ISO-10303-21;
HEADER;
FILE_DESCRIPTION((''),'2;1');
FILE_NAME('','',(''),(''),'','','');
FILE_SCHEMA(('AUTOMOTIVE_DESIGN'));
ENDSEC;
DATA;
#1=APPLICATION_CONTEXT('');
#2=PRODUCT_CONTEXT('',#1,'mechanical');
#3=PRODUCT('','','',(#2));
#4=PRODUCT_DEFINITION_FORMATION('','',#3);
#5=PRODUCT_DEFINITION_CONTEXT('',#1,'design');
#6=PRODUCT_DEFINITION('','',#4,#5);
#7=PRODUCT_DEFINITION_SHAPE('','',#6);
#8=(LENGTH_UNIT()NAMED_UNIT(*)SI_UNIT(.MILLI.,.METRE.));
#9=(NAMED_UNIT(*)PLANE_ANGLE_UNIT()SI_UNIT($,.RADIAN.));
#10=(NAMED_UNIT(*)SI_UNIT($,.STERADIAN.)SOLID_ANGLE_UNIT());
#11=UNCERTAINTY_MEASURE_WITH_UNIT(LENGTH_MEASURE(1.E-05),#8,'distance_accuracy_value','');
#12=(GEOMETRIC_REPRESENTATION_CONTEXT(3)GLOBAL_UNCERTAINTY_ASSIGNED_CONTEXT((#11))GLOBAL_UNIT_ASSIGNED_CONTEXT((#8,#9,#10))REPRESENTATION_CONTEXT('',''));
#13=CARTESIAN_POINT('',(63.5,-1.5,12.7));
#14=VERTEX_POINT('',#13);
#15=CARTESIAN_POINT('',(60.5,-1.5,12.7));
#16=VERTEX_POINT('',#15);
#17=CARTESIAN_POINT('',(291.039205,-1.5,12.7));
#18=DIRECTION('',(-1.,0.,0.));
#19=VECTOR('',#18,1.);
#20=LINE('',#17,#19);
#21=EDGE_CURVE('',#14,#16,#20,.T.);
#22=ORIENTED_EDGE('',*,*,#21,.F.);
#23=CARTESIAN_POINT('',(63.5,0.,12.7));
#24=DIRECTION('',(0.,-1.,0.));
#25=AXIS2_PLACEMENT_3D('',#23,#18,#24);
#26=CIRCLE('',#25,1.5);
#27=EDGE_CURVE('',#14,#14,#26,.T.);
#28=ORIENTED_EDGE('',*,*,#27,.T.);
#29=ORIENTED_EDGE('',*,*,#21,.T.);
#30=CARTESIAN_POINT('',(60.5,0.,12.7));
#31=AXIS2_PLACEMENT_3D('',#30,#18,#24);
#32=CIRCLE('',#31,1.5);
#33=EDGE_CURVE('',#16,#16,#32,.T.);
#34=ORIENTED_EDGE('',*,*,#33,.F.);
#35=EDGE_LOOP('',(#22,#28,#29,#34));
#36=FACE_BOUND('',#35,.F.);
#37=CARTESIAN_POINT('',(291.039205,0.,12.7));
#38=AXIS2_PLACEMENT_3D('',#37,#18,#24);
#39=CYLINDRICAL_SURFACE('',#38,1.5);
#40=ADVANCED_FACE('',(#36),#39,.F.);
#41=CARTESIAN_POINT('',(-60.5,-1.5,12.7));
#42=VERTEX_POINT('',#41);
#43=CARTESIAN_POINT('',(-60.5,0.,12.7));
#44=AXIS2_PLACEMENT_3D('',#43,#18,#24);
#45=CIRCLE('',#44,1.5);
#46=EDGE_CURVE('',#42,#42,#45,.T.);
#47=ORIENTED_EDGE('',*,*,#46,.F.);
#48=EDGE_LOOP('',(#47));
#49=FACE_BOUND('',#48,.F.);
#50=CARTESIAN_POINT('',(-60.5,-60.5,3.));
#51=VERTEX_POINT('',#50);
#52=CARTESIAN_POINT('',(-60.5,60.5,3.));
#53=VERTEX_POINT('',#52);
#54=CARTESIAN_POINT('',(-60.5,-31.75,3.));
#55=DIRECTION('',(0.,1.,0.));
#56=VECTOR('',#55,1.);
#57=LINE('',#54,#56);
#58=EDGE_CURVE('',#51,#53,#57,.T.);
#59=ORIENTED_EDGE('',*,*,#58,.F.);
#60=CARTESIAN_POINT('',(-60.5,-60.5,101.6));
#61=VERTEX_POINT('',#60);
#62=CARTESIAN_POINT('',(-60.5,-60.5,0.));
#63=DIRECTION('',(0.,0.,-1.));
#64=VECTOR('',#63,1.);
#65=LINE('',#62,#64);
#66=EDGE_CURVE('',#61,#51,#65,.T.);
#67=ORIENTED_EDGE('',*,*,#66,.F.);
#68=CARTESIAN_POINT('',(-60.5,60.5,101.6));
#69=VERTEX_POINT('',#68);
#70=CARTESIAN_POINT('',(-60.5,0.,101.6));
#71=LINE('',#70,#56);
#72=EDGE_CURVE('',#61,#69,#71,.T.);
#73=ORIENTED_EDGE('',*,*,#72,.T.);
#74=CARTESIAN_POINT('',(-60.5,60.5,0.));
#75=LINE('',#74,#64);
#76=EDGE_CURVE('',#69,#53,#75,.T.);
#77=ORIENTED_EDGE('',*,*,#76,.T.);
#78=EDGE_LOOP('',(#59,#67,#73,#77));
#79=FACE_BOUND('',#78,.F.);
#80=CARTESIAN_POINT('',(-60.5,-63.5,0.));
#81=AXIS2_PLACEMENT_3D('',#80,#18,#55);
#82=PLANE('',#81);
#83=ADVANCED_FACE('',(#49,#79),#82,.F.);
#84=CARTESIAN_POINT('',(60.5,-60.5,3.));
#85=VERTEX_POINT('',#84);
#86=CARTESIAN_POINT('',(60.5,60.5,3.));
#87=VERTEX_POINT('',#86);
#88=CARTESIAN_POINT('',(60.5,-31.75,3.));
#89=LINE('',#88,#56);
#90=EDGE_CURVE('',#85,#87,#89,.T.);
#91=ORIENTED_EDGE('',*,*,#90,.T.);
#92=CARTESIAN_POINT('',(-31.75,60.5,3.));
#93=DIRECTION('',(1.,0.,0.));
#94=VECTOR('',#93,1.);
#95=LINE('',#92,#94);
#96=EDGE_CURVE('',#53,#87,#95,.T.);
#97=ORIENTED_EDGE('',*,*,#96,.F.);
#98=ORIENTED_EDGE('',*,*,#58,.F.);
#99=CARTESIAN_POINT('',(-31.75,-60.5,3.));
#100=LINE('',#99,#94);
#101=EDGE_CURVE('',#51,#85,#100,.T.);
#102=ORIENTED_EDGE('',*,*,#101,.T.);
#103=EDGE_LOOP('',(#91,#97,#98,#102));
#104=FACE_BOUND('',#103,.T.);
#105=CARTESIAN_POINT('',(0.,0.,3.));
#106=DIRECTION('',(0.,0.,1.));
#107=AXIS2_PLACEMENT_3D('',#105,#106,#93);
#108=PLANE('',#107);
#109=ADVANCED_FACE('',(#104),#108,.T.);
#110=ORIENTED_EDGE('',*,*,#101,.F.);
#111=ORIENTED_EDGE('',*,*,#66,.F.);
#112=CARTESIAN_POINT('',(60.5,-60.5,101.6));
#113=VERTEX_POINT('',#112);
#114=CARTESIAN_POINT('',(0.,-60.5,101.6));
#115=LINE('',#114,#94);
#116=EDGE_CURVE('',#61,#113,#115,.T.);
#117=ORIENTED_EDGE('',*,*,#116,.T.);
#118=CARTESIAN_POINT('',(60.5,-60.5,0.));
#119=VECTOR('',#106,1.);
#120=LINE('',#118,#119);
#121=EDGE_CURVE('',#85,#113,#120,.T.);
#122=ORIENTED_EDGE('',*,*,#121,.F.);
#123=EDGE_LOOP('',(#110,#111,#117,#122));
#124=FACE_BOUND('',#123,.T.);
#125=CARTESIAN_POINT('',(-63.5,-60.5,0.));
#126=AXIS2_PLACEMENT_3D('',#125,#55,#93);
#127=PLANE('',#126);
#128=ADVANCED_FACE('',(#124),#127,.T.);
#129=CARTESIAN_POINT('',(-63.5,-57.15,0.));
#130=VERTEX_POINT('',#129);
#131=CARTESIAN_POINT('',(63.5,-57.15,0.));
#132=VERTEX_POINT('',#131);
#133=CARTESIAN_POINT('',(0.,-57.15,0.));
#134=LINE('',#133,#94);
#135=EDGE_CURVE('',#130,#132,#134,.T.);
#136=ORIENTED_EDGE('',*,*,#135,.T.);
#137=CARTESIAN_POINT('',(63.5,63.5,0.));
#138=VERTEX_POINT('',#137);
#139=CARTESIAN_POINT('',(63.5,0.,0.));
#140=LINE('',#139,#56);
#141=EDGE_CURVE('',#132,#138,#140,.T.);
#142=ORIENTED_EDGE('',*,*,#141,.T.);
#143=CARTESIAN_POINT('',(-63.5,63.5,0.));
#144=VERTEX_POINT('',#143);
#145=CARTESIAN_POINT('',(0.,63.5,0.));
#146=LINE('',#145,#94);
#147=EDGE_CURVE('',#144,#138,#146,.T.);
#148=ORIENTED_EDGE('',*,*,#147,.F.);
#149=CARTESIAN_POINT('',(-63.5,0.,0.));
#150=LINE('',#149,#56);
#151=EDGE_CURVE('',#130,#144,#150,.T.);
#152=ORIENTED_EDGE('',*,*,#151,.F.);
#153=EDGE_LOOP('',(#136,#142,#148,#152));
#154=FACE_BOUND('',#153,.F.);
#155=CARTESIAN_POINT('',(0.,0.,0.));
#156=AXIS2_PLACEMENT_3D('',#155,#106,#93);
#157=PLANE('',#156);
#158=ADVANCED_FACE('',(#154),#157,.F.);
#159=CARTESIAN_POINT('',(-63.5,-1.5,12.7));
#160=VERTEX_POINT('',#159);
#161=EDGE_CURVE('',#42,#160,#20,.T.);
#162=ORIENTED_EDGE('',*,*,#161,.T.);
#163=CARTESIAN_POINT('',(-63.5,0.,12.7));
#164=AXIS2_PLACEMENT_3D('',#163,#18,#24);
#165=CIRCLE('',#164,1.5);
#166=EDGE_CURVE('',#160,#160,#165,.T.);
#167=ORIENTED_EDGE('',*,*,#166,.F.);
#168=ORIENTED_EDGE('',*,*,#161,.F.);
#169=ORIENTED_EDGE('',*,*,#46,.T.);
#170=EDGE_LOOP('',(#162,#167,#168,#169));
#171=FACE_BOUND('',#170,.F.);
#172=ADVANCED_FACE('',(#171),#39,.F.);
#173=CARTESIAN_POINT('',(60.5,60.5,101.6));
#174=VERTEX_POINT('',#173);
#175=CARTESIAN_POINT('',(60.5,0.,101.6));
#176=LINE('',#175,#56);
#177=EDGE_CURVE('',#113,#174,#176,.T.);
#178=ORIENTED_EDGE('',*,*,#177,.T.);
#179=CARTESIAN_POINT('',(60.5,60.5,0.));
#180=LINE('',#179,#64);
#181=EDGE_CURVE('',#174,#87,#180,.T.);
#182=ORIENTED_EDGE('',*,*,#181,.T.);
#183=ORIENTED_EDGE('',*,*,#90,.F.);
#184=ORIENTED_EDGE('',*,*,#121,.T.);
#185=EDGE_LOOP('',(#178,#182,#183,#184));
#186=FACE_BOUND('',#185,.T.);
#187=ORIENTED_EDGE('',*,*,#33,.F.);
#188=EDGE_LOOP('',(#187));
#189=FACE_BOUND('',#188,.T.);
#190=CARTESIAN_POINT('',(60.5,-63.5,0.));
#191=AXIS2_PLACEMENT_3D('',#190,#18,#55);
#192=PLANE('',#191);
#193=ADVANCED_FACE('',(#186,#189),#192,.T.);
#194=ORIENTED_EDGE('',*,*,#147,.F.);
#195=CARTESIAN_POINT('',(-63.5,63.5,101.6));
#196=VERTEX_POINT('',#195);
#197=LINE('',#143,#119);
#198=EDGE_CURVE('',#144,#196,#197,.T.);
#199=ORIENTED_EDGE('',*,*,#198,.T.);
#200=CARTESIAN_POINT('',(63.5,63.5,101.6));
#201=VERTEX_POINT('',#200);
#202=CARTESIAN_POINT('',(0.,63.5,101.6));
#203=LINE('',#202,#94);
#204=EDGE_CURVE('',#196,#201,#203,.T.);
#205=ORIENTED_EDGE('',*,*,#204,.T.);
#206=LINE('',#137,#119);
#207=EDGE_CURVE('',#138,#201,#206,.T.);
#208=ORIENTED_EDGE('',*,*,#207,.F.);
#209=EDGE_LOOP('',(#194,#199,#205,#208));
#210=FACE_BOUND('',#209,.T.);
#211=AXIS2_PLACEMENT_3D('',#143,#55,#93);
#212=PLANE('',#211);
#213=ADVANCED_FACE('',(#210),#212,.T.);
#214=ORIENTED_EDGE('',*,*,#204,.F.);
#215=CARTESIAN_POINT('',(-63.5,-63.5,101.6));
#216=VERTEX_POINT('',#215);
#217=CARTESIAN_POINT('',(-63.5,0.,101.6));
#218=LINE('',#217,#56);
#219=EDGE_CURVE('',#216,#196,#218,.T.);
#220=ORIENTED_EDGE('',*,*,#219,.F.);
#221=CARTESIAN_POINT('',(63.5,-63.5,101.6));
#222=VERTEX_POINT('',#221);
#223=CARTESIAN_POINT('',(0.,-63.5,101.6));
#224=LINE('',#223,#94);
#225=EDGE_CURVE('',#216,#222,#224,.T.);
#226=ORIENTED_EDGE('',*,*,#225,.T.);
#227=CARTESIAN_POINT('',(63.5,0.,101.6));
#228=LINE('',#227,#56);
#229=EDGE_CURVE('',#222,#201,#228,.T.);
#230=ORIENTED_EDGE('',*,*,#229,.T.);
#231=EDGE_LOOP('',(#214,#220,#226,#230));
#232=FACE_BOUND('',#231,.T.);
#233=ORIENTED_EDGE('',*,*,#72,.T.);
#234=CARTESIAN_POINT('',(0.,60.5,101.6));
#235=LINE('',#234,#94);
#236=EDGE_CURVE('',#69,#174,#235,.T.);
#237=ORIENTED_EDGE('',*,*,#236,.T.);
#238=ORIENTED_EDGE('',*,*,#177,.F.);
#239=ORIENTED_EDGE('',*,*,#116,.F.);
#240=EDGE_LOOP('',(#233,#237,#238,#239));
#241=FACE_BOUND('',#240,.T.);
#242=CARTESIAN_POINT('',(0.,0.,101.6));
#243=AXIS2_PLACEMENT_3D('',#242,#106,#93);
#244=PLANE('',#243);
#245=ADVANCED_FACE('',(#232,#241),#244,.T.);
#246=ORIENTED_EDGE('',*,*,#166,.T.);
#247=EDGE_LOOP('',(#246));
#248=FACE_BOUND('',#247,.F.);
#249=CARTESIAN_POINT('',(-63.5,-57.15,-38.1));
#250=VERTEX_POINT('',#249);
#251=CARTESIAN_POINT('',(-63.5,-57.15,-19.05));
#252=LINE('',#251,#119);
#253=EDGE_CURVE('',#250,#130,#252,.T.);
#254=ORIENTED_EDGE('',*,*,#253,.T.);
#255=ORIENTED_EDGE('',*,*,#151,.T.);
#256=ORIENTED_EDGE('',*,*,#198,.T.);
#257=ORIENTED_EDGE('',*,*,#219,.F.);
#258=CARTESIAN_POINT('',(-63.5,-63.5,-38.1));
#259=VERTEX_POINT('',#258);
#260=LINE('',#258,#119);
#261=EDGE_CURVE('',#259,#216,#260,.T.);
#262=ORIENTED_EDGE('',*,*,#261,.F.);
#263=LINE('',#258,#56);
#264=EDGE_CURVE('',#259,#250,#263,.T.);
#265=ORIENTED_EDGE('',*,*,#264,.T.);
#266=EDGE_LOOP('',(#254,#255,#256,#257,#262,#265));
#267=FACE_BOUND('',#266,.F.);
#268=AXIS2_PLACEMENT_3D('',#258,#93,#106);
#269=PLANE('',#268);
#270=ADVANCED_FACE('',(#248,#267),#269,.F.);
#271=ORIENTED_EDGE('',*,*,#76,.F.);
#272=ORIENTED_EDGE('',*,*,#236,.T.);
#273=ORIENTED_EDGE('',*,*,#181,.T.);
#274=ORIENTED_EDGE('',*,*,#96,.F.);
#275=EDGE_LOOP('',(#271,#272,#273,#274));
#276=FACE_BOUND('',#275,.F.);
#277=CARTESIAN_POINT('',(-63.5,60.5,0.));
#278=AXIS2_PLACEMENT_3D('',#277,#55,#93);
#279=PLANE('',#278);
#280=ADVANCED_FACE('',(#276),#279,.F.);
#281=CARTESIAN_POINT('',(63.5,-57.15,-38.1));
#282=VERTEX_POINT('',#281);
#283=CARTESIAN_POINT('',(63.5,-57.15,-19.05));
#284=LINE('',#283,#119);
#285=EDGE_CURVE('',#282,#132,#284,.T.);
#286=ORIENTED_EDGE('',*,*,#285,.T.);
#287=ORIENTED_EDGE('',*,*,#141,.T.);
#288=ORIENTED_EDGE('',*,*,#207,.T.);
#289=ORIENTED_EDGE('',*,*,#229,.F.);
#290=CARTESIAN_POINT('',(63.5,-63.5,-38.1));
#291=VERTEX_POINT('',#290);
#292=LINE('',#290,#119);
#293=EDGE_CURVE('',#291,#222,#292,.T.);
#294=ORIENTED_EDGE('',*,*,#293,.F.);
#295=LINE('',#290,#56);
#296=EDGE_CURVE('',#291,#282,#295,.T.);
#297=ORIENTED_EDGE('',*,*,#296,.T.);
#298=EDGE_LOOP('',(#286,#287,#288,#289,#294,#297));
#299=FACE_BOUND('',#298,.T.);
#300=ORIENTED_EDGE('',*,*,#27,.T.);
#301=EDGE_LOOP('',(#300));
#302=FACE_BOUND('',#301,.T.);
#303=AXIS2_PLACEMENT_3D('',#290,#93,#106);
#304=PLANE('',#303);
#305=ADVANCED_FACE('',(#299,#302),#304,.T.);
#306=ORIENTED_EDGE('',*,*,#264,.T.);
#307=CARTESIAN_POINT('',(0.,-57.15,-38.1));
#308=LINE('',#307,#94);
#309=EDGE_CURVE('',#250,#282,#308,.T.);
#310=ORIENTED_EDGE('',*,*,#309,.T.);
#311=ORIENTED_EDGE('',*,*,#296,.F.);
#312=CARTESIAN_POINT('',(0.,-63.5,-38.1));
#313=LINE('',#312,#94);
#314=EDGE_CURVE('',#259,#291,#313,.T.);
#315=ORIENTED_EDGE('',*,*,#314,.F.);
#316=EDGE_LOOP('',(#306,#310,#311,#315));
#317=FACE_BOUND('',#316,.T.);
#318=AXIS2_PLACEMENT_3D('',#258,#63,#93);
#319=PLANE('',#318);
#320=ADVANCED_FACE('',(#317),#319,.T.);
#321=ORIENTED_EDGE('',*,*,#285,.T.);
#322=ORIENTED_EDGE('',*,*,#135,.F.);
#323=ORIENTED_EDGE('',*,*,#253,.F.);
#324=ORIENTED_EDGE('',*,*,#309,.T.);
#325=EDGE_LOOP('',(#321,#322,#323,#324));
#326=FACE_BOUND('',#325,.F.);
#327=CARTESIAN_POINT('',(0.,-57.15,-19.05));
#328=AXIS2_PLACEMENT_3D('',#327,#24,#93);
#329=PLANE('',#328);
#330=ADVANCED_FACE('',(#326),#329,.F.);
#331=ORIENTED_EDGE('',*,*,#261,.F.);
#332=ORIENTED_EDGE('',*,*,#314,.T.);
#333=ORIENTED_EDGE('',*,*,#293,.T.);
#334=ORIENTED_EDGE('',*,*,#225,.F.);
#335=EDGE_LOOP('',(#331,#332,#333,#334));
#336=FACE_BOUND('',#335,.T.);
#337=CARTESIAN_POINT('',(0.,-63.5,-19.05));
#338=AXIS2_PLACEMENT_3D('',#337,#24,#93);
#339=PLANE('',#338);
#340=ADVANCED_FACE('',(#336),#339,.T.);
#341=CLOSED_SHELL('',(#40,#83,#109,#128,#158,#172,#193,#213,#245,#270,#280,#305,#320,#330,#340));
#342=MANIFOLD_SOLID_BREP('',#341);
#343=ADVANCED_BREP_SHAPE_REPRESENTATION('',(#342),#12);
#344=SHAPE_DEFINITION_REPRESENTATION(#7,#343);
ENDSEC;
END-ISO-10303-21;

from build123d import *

# Parameters (mm, degrees)
F0_W     = 127
F0_H     = 127
F1_DEPTH = 101.6
F2_T     = -3
F4_W     = 127
F4_H     = 38.1
F5_DEPTH = 6.35
F6_D     = 3


with BuildPart() as f1:
    # F0 (on Top) → F1 (new body)
    with BuildSketch(Plane.XY):
        Rectangle(F0_W, F0_H)
    extrude(amount=F1_DEPTH)

    # F2
    f2_openings = [f1.faces().sort_by_distance(p)[0] for p in [
        (0, 0, 101.6),
    ]]
    offset(amount=F2_T, openings=f2_openings)

    # F4 (on face) → F5 (join)
    with BuildSketch(Plane.XZ.offset(63.5)):
        with Locations((0, -19.05)):
            Rectangle(F4_W, F4_H)
    extrude(amount=-F5_DEPTH)

    # F6 (through all)
    with Locations(Plane.YZ.offset(63.5)):
        with Locations((0, 12.7)):
            Hole(F6_D / 2)


solid = f1.part
